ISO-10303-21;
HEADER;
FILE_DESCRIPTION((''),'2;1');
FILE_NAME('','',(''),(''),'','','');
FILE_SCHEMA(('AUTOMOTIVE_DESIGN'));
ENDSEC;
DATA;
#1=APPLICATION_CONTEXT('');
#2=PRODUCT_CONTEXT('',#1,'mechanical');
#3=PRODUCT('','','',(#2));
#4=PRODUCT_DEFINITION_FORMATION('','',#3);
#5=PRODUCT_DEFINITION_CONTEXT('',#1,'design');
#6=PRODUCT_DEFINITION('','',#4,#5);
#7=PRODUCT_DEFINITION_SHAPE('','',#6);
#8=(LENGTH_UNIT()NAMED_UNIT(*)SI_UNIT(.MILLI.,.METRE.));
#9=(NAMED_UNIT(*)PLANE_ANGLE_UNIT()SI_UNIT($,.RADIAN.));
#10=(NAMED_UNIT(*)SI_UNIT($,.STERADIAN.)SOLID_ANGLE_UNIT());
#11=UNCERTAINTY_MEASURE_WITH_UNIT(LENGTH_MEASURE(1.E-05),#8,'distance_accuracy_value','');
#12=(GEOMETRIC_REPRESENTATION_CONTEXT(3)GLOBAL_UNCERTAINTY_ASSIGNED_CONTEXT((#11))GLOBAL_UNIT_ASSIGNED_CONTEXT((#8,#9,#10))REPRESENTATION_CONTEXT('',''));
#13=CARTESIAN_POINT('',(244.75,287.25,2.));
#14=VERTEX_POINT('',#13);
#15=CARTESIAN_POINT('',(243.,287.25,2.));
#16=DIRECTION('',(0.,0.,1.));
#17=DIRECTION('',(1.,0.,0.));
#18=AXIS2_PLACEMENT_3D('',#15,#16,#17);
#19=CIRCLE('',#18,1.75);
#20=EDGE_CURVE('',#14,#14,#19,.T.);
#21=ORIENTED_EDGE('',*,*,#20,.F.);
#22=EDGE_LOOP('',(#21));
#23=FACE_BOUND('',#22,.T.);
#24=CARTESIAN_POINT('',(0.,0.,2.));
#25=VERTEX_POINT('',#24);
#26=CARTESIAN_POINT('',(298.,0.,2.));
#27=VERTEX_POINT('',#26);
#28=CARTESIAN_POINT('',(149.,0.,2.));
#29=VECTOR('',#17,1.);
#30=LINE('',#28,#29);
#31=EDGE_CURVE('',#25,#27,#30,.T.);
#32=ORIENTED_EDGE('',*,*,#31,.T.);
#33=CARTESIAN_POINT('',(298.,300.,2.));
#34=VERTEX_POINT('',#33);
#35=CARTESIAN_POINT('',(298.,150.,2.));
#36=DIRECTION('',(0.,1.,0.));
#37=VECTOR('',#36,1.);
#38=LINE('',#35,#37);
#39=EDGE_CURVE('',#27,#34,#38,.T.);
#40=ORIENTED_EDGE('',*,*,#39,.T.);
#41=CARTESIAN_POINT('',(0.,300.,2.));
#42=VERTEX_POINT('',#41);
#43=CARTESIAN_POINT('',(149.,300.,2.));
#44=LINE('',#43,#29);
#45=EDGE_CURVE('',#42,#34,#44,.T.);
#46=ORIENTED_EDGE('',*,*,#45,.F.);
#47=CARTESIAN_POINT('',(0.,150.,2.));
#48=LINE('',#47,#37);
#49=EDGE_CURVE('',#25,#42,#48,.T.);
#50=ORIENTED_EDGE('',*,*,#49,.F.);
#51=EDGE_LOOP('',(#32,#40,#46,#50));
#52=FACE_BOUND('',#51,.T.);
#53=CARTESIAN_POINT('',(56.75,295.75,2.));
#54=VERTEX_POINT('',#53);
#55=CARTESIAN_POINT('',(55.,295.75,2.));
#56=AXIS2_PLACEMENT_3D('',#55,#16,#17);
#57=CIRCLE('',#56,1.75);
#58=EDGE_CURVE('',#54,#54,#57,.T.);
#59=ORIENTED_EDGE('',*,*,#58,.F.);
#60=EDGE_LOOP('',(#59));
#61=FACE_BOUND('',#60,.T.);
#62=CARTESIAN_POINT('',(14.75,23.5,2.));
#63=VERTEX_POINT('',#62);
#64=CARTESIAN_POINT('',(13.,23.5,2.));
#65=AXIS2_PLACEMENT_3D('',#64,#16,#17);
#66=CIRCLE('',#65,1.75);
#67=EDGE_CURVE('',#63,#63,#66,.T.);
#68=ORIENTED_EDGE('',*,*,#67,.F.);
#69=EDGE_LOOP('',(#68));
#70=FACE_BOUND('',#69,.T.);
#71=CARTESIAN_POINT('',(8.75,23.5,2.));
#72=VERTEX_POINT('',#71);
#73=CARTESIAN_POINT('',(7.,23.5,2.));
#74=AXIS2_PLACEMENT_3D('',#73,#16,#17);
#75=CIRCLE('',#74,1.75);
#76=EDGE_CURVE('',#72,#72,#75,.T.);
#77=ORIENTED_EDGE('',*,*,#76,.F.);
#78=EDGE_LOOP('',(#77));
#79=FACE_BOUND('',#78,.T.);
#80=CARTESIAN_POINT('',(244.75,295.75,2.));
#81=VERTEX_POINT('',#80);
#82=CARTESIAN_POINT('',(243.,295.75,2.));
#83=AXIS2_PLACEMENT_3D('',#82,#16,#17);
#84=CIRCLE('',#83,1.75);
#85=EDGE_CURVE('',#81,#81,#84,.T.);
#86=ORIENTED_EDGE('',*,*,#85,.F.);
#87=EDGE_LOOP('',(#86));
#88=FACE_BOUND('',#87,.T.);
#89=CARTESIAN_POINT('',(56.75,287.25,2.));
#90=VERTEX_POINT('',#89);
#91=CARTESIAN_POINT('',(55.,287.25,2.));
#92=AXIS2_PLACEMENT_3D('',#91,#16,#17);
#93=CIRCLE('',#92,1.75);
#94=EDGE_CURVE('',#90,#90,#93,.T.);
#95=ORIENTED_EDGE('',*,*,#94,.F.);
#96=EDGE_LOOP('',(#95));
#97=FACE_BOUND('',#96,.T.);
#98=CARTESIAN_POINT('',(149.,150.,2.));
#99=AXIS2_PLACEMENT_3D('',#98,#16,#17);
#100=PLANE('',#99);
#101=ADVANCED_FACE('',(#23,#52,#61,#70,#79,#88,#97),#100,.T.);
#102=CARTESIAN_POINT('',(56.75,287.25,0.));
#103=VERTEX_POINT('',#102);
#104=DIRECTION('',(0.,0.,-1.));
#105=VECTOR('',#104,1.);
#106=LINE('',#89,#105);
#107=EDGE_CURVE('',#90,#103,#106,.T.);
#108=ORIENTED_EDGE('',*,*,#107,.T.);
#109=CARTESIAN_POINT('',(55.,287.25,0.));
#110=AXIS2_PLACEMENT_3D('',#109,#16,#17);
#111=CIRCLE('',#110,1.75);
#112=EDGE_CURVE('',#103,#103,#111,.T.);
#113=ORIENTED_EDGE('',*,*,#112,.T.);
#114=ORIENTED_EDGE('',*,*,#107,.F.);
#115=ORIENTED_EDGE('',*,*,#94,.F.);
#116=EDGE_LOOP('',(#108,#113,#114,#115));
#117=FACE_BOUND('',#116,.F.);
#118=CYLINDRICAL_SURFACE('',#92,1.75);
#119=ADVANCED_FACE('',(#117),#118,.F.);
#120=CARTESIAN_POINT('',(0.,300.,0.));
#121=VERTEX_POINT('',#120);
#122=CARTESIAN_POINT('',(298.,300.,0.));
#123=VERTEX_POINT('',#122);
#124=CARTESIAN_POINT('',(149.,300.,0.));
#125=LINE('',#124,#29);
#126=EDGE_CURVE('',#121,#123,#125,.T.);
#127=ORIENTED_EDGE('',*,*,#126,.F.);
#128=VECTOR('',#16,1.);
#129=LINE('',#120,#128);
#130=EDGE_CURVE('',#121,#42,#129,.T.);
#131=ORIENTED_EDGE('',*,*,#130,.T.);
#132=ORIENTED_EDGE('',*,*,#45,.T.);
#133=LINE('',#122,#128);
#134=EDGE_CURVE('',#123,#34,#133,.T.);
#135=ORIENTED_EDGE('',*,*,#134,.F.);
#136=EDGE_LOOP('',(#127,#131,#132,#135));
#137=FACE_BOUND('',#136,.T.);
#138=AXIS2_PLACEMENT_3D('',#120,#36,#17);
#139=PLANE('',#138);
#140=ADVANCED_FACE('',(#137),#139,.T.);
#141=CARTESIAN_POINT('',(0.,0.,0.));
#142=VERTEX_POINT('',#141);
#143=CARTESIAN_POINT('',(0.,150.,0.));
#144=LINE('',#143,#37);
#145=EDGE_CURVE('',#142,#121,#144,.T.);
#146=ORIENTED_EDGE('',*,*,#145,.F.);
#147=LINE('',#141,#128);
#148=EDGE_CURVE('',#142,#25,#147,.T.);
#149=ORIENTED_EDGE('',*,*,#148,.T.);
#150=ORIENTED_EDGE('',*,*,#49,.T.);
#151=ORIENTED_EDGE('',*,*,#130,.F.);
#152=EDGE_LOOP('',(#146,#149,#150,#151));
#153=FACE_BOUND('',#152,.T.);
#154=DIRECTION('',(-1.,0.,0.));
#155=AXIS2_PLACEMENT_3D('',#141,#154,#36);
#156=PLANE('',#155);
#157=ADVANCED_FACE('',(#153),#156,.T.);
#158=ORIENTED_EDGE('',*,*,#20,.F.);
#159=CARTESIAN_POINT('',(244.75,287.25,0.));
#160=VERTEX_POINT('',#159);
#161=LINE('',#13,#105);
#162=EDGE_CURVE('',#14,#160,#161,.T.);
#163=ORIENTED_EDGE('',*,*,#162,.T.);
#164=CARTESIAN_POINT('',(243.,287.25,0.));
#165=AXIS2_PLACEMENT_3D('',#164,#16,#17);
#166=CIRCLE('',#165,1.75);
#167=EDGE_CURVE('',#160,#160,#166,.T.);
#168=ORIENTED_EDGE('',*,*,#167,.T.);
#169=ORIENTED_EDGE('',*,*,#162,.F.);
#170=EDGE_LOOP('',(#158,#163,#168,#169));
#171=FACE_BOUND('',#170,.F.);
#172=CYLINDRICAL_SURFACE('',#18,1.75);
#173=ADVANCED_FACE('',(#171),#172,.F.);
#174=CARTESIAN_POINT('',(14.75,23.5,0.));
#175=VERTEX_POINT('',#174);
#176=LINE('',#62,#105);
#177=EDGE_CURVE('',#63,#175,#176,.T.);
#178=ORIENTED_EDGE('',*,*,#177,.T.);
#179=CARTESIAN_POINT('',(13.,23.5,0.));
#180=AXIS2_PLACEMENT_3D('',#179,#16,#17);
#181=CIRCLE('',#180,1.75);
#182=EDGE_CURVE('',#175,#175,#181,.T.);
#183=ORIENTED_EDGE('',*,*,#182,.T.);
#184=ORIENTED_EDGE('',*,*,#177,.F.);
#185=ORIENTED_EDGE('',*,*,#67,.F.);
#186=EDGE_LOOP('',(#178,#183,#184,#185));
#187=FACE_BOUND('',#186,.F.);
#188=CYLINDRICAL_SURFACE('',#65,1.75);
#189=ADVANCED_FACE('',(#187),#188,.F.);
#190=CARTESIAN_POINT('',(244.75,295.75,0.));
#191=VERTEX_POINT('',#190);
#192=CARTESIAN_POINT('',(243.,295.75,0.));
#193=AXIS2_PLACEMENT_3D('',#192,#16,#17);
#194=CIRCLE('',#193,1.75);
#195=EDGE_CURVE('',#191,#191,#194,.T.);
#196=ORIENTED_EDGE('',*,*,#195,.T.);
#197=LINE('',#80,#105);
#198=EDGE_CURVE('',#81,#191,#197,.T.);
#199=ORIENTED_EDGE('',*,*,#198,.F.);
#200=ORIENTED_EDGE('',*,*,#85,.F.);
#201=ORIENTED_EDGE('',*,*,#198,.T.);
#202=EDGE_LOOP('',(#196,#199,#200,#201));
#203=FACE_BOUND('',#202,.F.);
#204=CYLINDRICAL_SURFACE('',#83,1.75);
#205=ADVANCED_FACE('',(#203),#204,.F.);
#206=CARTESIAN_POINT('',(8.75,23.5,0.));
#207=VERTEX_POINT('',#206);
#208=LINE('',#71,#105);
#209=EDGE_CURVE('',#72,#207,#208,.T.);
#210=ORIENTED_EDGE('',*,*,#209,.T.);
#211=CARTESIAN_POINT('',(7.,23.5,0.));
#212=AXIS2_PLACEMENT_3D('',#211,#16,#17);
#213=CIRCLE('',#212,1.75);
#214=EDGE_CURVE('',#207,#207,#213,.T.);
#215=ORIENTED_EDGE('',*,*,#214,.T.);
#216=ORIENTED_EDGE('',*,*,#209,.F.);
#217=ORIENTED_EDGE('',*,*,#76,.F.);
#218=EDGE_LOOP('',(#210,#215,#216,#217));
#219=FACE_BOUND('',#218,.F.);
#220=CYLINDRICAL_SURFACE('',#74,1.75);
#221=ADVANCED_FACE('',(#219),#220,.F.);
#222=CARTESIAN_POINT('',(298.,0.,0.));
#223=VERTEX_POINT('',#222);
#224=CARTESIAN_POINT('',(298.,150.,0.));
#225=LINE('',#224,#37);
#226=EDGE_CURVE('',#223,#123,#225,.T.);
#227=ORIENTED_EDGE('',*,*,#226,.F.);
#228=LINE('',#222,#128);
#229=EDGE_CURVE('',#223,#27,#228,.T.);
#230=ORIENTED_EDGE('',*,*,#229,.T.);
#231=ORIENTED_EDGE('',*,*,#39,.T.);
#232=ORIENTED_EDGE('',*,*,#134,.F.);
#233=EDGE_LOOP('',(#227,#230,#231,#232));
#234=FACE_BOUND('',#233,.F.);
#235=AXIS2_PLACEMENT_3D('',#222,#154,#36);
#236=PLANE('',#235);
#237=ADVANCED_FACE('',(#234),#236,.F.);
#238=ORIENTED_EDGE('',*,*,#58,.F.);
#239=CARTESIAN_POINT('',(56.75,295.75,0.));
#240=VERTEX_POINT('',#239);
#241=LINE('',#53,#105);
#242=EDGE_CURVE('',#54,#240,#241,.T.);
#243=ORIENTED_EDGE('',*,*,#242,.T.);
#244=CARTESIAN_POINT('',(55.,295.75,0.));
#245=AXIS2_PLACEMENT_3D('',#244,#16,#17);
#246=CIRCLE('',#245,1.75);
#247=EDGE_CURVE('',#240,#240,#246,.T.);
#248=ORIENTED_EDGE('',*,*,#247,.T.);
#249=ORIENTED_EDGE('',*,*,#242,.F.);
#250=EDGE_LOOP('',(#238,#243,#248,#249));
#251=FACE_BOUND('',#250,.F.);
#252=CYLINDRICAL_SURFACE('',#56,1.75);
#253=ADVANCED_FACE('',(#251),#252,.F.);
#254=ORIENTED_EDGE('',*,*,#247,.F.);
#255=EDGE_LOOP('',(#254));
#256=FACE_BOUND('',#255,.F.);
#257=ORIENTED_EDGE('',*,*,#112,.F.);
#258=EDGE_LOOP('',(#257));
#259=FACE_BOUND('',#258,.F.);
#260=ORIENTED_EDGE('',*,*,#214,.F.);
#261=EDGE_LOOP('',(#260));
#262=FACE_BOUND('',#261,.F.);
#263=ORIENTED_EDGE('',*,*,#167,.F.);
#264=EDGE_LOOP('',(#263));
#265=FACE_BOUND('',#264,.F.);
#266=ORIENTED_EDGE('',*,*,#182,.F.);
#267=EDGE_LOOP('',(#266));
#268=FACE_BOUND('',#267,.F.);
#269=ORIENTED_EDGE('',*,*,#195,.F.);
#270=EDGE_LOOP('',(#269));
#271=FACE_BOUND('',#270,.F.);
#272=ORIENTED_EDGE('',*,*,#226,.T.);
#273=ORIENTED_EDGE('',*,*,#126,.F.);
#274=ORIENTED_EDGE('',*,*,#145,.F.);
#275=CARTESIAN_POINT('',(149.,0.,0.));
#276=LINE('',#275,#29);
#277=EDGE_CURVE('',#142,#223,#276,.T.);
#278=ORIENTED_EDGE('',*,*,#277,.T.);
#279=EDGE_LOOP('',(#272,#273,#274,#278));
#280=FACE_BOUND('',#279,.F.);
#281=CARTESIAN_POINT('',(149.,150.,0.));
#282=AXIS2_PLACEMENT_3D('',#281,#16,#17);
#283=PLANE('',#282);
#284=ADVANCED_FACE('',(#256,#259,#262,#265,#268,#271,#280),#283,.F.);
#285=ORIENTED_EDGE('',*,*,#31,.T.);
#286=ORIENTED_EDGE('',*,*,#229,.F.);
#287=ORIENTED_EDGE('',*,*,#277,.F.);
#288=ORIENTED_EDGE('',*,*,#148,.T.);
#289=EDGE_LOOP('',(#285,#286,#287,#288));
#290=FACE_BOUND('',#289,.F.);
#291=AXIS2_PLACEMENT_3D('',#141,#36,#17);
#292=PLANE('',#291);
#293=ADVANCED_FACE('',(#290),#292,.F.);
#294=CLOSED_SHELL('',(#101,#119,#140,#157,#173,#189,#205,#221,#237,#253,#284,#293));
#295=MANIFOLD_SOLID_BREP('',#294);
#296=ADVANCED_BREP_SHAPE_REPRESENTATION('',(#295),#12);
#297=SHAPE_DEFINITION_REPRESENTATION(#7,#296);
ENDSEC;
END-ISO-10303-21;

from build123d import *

# Parameters (mm, degrees)
SKETCH1_W               = 298
SKETCH1_H               = 300
BOSS_EXTRUDE1_DEPTH     = 2
SKETCH2_R               = 1.75
CUT_EXTRUDE1_DEPTH      = 20
SKETCH3_R               = 1.75
CUT_EXTRUDE2_DEPTH      = 1
CUT_EXTRUDE2_DEPTH_BACK = 3
SKETCH5_R               = 1.75
CUT_EXTRUDE3_DEPTH      = 3


with BuildPart() as part:
    # Sketch1 → Boss-Extrude1 (new body)
    with BuildSketch(Plane.XY):
        with Locations((149, 150)):
            Rectangle(SKETCH1_W, SKETCH1_H)
    extrude(amount=BOSS_EXTRUDE1_DEPTH)

    # Sketch2 → Cut-Extrude1 (cut)
    with BuildSketch(Plane.XY.offset(2)):
        with Locations((243, 295.75)):
            Circle(SKETCH2_R)
        with Locations((243, 287.25)):
            Circle(SKETCH2_R)
    extrude(amount=-CUT_EXTRUDE1_DEPTH, mode=Mode.SUBTRACT)

    # Sketch3 → Cut-Extrude2 (cut, two sides)
    with BuildSketch(Plane.XY.offset(2)) as cut_extrude2_sk:
        with Locations((55, 287.25)):
            Circle(SKETCH3_R)
        with Locations((55, 295.75)):
            Circle(SKETCH3_R)
    extrude(amount=CUT_EXTRUDE2_DEPTH, mode=Mode.SUBTRACT)
    extrude(cut_extrude2_sk.sketch, amount=-CUT_EXTRUDE2_DEPTH_BACK, mode=Mode.SUBTRACT)

    # Sketch5 → Cut-Extrude3 (cut, through all)
    with BuildSketch(Plane.XY.offset(2)):
        with Locations((7, 23.5)):
            Circle(SKETCH5_R)
        with Locations((13, 23.5)):
            Circle(SKETCH5_R)
    extrude(amount=-CUT_EXTRUDE3_DEPTH, mode=Mode.SUBTRACT)


solid = part.part
